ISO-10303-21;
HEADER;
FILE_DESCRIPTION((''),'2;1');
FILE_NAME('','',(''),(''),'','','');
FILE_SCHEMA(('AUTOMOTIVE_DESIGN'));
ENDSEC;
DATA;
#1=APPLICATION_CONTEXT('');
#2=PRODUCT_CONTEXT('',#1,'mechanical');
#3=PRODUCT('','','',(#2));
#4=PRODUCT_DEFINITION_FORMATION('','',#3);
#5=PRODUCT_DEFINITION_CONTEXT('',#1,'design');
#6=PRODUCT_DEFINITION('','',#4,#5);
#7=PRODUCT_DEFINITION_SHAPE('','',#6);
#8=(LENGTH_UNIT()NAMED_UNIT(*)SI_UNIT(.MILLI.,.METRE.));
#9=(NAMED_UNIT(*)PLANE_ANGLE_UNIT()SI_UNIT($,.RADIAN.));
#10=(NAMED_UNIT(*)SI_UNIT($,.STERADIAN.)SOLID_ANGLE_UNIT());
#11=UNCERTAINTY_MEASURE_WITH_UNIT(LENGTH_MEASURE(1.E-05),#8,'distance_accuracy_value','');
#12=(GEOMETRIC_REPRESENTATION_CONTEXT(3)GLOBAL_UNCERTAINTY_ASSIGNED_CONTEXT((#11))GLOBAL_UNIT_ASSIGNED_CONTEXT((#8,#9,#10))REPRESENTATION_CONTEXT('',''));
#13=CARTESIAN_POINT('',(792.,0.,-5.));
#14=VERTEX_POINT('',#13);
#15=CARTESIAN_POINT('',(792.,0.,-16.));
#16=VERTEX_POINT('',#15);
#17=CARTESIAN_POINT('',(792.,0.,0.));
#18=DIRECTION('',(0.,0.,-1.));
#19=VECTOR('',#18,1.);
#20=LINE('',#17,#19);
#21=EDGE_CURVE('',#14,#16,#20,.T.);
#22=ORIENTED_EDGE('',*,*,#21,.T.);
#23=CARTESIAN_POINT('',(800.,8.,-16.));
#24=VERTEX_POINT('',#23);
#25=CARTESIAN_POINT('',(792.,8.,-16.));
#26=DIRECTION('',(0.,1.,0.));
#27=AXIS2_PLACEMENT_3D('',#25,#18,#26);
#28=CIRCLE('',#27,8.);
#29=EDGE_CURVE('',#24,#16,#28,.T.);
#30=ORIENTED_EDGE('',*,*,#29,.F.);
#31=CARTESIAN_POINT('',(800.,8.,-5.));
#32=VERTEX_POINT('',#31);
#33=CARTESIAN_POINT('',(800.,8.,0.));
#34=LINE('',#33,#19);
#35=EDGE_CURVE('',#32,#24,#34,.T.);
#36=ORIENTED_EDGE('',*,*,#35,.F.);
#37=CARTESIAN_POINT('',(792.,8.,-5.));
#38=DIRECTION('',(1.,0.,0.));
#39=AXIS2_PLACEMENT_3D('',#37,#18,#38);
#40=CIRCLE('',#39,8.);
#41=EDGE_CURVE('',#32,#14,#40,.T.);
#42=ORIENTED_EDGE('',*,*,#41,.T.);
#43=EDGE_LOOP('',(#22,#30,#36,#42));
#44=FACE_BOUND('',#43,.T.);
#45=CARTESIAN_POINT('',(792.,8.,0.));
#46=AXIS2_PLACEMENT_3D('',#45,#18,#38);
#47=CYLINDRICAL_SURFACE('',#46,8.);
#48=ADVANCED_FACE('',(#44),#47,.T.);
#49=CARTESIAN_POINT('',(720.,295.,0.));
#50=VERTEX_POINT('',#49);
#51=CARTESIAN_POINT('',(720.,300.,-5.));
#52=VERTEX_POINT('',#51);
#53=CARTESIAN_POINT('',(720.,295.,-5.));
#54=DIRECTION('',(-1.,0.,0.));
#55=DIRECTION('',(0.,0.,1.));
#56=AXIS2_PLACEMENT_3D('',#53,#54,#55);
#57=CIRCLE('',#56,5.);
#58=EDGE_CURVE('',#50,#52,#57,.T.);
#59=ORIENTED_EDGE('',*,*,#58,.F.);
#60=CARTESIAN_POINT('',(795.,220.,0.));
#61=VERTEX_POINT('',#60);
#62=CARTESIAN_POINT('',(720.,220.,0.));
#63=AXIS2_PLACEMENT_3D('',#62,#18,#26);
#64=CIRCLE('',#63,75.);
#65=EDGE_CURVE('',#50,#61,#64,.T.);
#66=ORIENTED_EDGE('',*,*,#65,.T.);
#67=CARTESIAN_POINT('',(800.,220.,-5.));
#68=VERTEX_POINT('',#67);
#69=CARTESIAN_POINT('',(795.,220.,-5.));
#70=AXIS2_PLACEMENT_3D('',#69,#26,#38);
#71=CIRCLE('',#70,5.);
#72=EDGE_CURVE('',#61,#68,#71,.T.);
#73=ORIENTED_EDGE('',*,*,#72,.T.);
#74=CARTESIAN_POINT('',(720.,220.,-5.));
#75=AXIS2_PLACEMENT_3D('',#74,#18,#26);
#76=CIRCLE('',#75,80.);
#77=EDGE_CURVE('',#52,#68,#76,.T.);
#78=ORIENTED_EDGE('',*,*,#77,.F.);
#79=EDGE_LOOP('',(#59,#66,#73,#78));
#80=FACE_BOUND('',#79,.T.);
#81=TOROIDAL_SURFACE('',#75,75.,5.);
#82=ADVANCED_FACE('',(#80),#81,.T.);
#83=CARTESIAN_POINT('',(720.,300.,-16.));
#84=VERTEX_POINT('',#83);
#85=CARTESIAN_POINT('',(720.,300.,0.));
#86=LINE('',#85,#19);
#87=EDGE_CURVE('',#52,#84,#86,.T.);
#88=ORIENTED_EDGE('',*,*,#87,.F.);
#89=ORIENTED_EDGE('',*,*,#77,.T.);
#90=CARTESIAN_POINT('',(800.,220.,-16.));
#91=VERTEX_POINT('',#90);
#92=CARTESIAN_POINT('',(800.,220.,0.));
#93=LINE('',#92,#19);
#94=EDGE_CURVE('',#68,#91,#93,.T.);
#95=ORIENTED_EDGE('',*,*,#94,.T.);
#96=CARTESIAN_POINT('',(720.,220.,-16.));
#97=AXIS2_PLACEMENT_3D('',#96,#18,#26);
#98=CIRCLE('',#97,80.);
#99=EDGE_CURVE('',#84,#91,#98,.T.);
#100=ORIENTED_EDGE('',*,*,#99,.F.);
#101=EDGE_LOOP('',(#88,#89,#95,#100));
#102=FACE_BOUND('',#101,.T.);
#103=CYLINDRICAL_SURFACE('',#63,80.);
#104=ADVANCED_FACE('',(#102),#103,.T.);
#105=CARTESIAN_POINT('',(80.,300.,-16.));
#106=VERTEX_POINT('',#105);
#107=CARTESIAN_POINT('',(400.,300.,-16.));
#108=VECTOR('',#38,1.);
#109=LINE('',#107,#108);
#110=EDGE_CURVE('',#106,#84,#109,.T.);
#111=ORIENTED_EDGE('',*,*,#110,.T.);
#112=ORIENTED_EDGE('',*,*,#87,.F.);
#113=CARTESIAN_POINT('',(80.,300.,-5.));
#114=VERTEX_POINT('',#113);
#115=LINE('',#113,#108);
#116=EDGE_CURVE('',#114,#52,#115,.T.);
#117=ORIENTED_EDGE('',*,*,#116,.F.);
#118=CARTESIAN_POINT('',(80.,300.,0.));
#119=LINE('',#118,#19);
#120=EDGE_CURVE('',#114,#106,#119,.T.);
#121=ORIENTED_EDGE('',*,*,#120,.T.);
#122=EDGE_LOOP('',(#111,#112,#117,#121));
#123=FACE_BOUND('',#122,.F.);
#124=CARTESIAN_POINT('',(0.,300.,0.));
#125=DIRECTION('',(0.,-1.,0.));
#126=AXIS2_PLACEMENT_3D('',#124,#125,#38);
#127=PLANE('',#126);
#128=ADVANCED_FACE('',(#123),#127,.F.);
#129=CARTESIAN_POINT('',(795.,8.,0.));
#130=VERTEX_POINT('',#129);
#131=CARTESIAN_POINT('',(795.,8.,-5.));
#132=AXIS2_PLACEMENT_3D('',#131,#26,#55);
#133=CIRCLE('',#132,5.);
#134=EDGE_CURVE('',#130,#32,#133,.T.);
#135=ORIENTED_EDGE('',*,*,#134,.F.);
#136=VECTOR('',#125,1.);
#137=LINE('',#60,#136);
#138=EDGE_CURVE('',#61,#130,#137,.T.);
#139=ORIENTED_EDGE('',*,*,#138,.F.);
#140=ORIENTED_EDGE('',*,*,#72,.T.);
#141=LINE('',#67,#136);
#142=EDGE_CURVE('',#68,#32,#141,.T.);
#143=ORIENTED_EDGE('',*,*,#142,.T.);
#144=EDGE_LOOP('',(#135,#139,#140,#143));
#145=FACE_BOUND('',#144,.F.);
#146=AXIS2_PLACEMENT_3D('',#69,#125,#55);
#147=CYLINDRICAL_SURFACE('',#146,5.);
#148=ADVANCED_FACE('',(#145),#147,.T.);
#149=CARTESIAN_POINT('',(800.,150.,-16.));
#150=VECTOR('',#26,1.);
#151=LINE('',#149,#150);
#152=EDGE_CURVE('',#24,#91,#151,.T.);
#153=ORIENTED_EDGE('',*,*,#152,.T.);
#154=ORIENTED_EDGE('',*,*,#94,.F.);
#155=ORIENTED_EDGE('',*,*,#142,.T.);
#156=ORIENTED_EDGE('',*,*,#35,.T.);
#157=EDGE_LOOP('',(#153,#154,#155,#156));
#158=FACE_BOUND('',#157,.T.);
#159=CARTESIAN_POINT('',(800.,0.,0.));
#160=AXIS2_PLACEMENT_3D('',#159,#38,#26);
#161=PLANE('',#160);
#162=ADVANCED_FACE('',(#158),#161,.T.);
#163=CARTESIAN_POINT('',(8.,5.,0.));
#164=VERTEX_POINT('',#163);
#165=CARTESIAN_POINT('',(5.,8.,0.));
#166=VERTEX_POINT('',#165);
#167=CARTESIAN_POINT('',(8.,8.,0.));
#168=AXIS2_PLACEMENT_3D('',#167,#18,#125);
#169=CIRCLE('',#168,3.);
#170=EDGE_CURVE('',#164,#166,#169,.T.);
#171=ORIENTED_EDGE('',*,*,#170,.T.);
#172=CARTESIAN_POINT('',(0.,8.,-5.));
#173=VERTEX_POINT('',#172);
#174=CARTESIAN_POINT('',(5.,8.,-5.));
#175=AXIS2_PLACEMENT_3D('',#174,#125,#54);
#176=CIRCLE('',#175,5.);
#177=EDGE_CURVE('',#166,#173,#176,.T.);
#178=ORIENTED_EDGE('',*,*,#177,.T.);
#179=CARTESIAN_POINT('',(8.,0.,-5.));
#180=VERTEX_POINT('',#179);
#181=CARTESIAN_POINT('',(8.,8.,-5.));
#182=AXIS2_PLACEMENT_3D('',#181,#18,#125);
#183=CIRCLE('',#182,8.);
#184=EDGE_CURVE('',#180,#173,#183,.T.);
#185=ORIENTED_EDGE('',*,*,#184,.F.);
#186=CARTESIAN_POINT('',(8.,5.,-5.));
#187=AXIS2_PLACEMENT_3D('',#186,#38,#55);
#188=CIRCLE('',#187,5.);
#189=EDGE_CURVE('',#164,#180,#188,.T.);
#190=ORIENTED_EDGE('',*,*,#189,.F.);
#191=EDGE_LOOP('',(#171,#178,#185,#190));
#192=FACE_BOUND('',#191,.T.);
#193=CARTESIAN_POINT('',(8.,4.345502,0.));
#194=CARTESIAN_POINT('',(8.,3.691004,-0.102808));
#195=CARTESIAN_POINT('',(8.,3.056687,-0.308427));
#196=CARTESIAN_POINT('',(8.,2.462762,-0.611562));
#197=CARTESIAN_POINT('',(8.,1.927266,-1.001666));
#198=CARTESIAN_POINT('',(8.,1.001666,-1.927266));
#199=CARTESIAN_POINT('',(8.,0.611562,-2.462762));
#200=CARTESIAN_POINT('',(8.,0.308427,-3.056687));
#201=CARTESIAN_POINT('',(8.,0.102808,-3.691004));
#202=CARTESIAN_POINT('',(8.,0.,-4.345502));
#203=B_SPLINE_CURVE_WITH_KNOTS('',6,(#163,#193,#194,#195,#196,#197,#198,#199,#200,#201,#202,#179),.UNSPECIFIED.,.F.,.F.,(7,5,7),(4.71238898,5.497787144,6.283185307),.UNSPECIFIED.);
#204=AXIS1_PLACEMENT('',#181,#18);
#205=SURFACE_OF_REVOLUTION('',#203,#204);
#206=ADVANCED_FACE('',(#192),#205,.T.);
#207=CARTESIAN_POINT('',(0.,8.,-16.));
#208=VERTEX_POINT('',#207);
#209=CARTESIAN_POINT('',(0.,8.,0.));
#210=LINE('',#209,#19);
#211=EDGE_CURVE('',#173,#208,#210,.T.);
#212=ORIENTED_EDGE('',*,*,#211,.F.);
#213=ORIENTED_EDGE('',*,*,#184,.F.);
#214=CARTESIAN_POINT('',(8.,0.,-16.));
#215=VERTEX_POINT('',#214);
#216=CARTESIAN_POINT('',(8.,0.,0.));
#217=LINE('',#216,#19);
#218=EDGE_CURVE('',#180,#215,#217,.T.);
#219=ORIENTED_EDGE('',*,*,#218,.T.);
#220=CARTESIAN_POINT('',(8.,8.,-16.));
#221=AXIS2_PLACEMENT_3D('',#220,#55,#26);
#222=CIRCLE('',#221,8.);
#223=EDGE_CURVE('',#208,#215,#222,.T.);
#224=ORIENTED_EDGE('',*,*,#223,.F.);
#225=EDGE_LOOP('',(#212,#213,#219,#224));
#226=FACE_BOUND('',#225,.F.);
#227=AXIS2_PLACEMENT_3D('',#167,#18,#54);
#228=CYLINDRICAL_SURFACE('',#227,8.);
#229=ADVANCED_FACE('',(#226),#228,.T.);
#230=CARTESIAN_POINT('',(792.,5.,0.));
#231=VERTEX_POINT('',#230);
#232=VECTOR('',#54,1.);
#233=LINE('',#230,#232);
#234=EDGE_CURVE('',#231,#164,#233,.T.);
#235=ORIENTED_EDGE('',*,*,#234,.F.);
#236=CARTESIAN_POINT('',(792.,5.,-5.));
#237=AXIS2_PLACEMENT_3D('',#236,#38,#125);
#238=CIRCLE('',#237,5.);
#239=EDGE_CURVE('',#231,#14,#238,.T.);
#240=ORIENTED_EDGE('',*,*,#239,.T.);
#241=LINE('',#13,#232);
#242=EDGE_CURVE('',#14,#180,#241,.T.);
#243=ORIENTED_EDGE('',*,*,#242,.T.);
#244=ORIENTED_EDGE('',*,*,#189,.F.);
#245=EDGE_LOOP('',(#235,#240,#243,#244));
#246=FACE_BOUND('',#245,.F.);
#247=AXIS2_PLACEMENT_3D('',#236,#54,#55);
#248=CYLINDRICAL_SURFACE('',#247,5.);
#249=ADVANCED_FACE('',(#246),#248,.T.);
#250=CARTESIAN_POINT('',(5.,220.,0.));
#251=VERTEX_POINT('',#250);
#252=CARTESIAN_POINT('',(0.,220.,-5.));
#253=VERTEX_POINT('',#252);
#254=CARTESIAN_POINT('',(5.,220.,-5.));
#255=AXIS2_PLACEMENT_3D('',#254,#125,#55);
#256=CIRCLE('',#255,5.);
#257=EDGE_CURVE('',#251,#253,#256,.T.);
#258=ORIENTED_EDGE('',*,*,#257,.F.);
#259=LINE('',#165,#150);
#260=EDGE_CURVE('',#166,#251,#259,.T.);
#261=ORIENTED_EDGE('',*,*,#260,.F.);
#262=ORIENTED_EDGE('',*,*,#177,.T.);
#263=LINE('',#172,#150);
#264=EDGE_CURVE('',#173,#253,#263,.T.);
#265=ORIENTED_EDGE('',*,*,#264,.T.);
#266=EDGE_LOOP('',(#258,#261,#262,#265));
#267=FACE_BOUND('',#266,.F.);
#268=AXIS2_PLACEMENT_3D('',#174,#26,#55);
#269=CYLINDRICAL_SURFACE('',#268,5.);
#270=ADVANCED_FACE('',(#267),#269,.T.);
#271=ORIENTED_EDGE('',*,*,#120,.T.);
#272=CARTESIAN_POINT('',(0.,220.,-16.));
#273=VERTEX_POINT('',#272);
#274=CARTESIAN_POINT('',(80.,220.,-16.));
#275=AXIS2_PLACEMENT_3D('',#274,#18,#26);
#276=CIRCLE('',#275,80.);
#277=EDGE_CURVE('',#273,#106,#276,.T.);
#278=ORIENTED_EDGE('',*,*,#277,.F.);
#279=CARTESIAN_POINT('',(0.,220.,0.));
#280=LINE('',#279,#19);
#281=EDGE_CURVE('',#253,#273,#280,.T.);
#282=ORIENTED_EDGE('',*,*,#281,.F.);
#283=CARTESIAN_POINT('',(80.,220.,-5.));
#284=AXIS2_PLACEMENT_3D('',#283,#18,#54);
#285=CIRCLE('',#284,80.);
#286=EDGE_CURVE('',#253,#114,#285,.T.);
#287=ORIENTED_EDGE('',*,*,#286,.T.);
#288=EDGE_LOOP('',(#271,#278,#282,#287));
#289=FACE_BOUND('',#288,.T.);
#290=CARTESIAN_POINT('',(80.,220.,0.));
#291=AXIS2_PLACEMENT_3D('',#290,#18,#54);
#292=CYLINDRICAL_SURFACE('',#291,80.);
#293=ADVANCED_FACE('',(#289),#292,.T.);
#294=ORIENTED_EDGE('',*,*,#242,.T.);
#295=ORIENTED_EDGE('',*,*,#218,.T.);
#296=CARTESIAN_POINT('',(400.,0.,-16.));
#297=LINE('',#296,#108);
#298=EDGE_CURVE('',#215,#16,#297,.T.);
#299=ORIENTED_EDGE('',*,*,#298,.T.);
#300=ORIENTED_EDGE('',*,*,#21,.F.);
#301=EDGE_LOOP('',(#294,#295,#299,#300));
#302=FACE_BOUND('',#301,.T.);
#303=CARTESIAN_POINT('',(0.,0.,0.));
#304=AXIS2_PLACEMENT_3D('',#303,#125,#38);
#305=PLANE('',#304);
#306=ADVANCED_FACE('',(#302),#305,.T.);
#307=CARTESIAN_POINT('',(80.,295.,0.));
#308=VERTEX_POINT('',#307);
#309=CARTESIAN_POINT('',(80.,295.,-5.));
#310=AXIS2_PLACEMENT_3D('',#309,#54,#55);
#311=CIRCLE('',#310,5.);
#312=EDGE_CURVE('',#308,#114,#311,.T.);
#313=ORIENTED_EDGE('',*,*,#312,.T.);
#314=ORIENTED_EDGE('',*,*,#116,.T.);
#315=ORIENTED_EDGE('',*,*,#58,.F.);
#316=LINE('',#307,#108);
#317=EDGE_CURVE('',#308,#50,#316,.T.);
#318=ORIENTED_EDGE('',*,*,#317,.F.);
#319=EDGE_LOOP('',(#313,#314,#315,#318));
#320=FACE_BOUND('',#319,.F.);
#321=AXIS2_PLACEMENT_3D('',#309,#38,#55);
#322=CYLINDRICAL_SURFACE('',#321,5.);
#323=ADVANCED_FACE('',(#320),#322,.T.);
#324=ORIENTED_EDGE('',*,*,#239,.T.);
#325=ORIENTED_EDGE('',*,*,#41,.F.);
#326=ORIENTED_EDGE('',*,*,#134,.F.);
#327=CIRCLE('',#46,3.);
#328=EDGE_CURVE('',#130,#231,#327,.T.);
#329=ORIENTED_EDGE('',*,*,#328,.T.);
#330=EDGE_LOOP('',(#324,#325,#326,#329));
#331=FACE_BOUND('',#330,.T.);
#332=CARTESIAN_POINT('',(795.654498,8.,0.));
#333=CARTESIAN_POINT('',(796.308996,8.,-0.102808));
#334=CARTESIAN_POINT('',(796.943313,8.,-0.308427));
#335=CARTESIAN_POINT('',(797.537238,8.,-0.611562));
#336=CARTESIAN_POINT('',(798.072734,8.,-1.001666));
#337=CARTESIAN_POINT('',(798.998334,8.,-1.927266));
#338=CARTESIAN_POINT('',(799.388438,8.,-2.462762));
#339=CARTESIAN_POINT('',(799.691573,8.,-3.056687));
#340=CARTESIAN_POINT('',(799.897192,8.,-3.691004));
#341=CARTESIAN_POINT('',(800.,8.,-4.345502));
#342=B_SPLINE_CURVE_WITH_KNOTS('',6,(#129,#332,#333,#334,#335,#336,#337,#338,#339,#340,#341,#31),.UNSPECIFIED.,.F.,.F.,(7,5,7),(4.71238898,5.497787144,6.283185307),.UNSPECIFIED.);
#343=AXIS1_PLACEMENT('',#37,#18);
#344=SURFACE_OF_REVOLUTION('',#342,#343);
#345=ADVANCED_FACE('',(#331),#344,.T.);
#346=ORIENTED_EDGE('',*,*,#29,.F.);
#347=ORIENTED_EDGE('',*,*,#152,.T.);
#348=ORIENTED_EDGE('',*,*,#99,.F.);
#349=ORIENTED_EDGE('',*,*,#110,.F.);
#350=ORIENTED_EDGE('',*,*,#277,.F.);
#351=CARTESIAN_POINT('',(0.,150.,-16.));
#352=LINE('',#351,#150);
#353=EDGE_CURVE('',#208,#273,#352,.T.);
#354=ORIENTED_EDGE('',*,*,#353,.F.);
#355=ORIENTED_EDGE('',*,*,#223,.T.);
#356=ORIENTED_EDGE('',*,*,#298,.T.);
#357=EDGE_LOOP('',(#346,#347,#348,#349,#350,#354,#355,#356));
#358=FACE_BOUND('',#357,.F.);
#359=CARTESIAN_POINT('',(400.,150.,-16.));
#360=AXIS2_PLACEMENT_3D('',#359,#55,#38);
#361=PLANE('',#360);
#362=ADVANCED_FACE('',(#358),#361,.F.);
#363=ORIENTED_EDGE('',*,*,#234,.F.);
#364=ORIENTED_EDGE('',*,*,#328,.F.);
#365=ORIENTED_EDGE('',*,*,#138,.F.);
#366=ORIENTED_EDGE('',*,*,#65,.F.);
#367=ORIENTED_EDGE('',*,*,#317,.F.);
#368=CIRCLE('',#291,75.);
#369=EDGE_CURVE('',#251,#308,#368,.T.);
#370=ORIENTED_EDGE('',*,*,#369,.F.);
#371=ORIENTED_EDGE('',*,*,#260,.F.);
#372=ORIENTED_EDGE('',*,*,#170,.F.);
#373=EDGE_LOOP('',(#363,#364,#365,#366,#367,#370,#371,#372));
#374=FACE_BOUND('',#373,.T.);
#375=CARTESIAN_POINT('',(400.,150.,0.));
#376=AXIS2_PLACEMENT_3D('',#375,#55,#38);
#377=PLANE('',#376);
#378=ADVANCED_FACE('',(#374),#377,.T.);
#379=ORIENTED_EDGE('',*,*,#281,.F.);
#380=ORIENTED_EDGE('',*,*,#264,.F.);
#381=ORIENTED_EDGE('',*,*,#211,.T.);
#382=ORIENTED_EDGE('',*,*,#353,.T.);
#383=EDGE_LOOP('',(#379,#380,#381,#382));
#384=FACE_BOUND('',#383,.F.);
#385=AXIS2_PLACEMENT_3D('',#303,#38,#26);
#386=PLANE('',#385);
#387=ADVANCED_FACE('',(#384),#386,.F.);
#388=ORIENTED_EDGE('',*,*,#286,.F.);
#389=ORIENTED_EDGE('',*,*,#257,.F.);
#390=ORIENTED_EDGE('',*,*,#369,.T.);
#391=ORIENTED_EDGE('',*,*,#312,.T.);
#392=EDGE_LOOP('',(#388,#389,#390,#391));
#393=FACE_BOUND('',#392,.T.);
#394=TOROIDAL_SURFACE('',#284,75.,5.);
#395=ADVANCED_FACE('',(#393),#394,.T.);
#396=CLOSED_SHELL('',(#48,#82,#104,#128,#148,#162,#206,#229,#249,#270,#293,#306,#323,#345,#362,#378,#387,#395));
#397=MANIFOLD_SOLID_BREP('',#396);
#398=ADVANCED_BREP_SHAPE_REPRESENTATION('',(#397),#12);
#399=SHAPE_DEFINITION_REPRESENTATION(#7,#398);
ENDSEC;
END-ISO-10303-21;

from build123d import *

# Parameters (mm, degrees)
F0_W     = 800
F0_H     = 300
F1_DEPTH = 16
F2_R     = 80
F3_R     = 80
F4_R     = 8
F5_R     = 5


with BuildPart() as f1:
    # F0 (on Top) → F1 (new body)
    with BuildSketch(Plane.XY):
        with Locations((400, 150)):
            Rectangle(F0_W, F0_H)
    extrude(amount=-F1_DEPTH)

    # F2
    f2_edges = [f1.edges().sort_by_distance(p)[0] for p in [
        (0, 300, -8),
    ]]
    fillet(f2_edges, radius=F2_R)

    # F3
    f3_edges = [f1.edges().sort_by_distance(p)[0] for p in [
        (800, 300, -8),
    ]]
    fillet(f3_edges, radius=F3_R)

    # F4
    f4_edges = [f1.edges().sort_by_distance(p)[0] for p in [
        (800, 0, -8),
        (0, 0, -8),
    ]]
    fillet(f4_edges, radius=F4_R)

    # F5
    f5_edges = [f1.edges().sort_by_distance(p)[0] for p in [
        (400, 300, 0),
    ]]
    fillet(f5_edges, radius=F5_R)


solid = f1.part
